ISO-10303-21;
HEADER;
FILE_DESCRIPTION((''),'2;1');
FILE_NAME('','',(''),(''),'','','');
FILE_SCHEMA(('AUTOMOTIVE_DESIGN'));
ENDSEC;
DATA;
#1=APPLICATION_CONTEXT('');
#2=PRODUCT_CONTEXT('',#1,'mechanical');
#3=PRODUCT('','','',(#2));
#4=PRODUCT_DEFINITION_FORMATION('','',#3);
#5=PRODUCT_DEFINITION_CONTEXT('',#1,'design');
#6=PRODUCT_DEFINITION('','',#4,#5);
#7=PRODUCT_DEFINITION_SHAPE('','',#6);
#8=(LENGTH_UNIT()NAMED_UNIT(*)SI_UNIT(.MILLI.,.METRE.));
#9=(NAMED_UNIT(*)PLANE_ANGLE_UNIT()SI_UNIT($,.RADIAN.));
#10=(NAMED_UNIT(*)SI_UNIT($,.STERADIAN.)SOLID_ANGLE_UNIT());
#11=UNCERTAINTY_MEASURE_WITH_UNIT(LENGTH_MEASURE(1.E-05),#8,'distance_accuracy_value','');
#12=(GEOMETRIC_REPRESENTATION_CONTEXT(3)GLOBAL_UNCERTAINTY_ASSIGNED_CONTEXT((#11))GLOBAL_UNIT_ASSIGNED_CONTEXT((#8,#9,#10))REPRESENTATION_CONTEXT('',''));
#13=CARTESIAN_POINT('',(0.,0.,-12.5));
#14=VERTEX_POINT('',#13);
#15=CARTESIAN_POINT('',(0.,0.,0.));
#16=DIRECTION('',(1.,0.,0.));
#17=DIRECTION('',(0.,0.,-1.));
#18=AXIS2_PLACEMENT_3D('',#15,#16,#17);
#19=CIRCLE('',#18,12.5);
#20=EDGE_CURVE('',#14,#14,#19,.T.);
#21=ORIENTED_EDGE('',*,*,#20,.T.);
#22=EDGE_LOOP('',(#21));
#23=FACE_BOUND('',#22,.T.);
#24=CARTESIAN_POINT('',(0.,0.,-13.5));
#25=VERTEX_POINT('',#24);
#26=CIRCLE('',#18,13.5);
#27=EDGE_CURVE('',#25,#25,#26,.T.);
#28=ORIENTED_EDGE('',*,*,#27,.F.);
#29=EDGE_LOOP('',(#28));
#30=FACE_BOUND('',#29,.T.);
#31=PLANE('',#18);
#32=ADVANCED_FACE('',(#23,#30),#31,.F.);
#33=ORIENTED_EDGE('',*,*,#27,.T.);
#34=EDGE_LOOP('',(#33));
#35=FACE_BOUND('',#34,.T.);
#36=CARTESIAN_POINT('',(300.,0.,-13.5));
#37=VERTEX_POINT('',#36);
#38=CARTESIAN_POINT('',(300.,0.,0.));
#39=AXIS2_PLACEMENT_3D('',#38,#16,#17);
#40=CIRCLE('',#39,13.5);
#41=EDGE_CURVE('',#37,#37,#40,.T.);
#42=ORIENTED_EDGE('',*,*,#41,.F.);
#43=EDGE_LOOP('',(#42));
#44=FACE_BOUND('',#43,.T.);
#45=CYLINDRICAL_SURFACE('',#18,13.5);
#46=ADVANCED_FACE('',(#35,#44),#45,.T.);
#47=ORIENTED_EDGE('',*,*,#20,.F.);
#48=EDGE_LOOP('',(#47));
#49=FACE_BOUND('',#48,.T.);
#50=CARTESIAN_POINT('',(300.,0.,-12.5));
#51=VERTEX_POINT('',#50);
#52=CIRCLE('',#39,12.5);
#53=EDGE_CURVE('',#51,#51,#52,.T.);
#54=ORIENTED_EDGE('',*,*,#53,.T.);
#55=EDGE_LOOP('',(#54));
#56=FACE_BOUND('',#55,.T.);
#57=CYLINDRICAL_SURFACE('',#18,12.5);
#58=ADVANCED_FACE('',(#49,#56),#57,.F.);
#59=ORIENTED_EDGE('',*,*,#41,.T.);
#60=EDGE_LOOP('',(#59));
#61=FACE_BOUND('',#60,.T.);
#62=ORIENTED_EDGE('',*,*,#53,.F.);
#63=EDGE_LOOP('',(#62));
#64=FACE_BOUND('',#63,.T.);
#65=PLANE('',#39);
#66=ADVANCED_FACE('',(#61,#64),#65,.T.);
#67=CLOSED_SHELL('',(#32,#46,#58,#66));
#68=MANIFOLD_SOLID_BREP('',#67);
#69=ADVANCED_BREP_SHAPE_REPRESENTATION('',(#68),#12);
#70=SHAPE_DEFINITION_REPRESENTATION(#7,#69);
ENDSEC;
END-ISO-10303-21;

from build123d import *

# Parameters (mm, degrees)
SWEEP_THIN1_PROFILE_R   = 13.5
SWEEP_THIN1_PROFILE_R_2 = 12.5


with BuildPart() as part:
    # Sweep-Thin1: sweep along a curve in space
    with BuildLine() as sweep_thin1_path:
        Line((0, 0, 0), (300, 0, 0))
    # Sweep-Thin1 profile (on start of the path) → Sweep-Thin1 (sweep)
    with BuildSketch(Plane(origin=(0, 0, 0), x_dir=(0, 0, 1), z_dir=(1, 0, 0))):
        Circle(SWEEP_THIN1_PROFILE_R)
        Circle(SWEEP_THIN1_PROFILE_R_2, mode=Mode.SUBTRACT)
    sweep(path=sweep_thin1_path.line)


solid = part.part
